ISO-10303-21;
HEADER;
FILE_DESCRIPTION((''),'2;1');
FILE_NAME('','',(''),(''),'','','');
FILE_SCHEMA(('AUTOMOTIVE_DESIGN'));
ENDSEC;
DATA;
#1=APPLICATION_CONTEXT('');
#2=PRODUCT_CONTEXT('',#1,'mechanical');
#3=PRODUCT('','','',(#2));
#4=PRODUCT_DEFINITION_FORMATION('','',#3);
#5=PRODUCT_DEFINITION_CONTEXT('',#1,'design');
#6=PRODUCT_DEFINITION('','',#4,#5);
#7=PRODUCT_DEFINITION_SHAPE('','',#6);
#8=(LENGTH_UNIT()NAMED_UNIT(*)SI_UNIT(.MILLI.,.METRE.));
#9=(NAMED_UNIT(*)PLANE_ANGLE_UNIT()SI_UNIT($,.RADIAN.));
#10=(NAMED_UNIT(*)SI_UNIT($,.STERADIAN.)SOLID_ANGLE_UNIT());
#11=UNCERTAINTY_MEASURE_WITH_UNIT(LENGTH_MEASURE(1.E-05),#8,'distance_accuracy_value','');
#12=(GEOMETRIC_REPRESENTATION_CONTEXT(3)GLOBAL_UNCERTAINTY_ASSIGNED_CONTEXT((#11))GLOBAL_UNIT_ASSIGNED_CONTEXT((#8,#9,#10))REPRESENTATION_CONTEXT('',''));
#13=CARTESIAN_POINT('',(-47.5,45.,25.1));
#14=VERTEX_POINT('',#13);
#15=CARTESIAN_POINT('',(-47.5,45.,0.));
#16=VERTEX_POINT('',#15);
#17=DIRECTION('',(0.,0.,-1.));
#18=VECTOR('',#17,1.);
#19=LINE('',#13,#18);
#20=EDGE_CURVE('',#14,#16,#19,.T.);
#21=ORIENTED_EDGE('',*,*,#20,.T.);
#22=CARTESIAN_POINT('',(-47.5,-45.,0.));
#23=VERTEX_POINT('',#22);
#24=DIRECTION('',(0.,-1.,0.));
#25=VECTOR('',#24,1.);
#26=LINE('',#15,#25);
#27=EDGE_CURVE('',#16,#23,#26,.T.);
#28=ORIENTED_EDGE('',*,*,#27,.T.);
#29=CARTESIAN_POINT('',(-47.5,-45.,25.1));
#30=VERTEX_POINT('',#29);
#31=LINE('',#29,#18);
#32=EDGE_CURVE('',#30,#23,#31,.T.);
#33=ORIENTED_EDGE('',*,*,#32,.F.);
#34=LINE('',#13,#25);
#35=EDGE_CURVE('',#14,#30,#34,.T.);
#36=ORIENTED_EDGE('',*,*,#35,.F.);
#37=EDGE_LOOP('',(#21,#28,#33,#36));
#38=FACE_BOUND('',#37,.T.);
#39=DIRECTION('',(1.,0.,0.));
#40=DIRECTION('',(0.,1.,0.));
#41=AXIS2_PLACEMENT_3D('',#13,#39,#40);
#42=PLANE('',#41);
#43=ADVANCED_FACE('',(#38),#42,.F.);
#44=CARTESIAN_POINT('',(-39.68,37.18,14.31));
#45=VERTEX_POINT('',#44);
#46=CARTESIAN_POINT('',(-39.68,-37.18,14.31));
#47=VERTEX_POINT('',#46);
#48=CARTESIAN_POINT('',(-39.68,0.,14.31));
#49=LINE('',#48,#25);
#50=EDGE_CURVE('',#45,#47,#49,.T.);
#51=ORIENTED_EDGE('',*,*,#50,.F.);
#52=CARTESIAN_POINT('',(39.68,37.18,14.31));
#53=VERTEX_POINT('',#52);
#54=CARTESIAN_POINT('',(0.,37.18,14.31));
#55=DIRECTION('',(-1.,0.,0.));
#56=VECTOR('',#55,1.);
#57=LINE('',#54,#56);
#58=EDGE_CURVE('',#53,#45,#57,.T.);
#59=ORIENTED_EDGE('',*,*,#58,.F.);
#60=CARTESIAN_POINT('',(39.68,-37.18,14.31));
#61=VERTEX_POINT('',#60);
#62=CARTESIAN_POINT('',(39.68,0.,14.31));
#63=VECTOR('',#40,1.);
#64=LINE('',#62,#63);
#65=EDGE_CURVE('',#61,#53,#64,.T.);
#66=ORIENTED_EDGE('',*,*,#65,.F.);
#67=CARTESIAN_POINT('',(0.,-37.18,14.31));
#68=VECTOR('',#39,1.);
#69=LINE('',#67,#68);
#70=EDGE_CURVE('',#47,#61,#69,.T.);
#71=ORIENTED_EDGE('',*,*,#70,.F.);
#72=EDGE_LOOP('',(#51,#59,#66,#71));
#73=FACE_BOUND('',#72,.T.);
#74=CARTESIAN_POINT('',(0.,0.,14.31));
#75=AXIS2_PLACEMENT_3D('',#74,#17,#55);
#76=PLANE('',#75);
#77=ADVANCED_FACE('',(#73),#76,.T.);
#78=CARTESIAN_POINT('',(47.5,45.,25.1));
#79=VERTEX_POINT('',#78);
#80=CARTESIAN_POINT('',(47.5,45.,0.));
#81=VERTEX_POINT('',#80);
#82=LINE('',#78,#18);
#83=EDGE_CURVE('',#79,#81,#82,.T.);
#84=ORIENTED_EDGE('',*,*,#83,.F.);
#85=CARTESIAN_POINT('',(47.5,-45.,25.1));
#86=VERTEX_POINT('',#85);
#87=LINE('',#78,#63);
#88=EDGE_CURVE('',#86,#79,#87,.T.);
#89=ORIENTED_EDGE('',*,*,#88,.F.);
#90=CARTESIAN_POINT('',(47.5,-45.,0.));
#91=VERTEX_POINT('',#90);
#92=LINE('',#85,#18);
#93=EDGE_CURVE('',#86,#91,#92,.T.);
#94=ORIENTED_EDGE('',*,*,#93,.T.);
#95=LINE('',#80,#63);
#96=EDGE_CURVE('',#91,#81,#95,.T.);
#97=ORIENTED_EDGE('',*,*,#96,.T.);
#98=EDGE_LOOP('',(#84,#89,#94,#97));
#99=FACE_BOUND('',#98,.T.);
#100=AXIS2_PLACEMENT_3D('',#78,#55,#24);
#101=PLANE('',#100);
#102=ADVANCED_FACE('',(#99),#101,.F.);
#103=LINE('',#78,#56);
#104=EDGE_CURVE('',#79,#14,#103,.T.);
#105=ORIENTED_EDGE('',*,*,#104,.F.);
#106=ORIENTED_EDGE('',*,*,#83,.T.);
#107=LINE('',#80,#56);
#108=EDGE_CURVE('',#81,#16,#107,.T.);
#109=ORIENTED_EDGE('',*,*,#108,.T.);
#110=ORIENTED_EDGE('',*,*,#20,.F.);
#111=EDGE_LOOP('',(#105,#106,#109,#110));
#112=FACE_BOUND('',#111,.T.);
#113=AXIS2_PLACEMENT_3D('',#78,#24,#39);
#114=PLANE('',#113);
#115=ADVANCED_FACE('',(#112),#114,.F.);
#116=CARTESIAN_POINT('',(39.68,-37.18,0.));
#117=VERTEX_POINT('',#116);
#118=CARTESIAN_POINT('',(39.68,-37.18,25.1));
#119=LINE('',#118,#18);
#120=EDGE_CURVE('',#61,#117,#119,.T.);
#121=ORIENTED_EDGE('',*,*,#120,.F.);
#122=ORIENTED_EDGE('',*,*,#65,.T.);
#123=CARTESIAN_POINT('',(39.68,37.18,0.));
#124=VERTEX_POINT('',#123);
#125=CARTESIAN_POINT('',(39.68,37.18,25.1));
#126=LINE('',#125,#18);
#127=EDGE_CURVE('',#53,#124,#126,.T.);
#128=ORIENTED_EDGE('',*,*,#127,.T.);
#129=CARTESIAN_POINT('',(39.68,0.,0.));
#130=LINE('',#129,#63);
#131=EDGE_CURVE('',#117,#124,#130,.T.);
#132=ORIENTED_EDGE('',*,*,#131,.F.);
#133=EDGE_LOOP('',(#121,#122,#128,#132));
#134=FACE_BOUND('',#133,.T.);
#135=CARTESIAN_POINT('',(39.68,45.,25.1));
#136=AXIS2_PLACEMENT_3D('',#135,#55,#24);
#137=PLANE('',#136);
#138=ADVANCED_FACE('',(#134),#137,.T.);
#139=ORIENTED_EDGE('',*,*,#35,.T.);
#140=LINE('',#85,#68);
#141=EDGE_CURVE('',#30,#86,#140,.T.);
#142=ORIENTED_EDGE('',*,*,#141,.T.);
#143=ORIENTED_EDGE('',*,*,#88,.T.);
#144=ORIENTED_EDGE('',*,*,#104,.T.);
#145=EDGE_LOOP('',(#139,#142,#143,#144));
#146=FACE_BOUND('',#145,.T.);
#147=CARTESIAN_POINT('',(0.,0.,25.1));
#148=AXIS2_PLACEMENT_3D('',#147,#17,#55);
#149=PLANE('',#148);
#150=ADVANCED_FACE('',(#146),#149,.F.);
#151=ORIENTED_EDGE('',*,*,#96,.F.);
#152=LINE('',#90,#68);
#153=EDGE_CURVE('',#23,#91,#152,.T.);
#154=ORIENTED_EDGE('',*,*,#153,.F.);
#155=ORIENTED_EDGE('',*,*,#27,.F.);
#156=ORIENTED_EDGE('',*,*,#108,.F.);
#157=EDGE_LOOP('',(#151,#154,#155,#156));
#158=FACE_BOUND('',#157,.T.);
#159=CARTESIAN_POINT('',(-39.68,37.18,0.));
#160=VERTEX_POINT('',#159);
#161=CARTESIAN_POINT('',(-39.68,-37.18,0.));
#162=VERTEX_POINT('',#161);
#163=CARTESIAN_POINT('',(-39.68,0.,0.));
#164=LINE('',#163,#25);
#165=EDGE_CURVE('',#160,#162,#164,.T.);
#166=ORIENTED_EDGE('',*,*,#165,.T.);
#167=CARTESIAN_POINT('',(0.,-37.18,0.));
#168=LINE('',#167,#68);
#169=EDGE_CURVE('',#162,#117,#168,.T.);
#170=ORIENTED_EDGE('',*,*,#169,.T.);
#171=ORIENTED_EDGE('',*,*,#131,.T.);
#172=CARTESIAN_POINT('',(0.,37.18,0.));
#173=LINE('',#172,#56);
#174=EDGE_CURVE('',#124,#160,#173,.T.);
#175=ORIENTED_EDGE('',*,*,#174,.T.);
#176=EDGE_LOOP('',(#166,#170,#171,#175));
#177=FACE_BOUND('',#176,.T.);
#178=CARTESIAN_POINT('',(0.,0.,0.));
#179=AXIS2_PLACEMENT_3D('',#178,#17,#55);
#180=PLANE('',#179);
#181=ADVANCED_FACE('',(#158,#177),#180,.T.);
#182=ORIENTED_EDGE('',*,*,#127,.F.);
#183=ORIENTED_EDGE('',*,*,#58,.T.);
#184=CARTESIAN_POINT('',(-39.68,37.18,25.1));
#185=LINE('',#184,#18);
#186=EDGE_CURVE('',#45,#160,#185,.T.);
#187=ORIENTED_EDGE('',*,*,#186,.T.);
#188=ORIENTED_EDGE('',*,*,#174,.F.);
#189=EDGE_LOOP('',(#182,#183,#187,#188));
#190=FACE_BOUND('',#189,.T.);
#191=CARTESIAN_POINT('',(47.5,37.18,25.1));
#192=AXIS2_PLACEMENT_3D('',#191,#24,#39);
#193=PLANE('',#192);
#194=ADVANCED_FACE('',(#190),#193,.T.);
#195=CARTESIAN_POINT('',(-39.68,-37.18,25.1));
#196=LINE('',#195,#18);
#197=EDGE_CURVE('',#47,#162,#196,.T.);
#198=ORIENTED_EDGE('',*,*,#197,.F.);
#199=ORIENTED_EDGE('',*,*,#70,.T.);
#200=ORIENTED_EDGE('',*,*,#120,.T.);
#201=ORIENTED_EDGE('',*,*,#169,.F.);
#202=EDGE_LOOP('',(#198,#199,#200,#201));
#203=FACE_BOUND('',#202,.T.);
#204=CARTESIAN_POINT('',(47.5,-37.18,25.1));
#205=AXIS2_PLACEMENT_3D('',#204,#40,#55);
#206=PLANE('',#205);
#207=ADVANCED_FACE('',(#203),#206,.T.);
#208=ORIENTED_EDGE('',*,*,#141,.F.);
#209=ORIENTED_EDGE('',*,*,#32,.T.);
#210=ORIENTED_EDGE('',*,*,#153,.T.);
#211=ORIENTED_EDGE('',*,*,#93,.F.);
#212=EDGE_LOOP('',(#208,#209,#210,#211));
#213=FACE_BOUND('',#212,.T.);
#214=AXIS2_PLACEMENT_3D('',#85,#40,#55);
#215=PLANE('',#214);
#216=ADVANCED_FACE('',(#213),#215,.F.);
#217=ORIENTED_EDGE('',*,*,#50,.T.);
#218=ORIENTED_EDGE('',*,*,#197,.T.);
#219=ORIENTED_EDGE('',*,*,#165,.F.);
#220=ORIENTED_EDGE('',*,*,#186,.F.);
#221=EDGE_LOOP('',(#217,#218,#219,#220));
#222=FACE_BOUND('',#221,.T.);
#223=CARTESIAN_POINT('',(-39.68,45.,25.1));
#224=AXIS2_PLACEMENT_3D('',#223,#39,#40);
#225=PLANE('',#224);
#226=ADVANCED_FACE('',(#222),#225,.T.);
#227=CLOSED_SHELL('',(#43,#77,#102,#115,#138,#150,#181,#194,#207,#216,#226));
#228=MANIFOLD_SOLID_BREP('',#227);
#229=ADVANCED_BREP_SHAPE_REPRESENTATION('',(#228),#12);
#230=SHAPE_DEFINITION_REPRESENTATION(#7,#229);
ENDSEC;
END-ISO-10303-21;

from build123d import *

# Parameters (mm, degrees)
SKETCH1_W                 = 95
SKETCH1_H                 = 90
BOSS_EXTRUDE1_DEPTH       = 25.1
SHELL1_T                  = -7.82
SHELL1_THICKNESS_2_FACE_W = 79.36
SHELL1_THICKNESS_2_FACE_H = 74.36
SHELL1_THICKNESS_2_DEPTH  = 2.97


with BuildPart() as part:
    # Sketch1 → Boss-Extrude1 (new body)
    with BuildSketch(Plane.XY):
        Rectangle(SKETCH1_W, SKETCH1_H)
    extrude(amount=BOSS_EXTRUDE1_DEPTH)

    # Shell1
    shell1_openings = [part.faces().sort_by_distance(p)[0] for p in [
        (0, 0, 0),
    ]]
    offset(amount=SHELL1_T, openings=shell1_openings, kind=Kind.INTERSECTION)

    # Shell1 thickness 2 face (on inner face of the shell) → Shell1 thickness 2 (add)
    with BuildSketch(Plane.XY.offset(17.28)):
        Rectangle(SHELL1_THICKNESS_2_FACE_W, SHELL1_THICKNESS_2_FACE_H)
    extrude(amount=-SHELL1_THICKNESS_2_DEPTH)


solid = part.part
